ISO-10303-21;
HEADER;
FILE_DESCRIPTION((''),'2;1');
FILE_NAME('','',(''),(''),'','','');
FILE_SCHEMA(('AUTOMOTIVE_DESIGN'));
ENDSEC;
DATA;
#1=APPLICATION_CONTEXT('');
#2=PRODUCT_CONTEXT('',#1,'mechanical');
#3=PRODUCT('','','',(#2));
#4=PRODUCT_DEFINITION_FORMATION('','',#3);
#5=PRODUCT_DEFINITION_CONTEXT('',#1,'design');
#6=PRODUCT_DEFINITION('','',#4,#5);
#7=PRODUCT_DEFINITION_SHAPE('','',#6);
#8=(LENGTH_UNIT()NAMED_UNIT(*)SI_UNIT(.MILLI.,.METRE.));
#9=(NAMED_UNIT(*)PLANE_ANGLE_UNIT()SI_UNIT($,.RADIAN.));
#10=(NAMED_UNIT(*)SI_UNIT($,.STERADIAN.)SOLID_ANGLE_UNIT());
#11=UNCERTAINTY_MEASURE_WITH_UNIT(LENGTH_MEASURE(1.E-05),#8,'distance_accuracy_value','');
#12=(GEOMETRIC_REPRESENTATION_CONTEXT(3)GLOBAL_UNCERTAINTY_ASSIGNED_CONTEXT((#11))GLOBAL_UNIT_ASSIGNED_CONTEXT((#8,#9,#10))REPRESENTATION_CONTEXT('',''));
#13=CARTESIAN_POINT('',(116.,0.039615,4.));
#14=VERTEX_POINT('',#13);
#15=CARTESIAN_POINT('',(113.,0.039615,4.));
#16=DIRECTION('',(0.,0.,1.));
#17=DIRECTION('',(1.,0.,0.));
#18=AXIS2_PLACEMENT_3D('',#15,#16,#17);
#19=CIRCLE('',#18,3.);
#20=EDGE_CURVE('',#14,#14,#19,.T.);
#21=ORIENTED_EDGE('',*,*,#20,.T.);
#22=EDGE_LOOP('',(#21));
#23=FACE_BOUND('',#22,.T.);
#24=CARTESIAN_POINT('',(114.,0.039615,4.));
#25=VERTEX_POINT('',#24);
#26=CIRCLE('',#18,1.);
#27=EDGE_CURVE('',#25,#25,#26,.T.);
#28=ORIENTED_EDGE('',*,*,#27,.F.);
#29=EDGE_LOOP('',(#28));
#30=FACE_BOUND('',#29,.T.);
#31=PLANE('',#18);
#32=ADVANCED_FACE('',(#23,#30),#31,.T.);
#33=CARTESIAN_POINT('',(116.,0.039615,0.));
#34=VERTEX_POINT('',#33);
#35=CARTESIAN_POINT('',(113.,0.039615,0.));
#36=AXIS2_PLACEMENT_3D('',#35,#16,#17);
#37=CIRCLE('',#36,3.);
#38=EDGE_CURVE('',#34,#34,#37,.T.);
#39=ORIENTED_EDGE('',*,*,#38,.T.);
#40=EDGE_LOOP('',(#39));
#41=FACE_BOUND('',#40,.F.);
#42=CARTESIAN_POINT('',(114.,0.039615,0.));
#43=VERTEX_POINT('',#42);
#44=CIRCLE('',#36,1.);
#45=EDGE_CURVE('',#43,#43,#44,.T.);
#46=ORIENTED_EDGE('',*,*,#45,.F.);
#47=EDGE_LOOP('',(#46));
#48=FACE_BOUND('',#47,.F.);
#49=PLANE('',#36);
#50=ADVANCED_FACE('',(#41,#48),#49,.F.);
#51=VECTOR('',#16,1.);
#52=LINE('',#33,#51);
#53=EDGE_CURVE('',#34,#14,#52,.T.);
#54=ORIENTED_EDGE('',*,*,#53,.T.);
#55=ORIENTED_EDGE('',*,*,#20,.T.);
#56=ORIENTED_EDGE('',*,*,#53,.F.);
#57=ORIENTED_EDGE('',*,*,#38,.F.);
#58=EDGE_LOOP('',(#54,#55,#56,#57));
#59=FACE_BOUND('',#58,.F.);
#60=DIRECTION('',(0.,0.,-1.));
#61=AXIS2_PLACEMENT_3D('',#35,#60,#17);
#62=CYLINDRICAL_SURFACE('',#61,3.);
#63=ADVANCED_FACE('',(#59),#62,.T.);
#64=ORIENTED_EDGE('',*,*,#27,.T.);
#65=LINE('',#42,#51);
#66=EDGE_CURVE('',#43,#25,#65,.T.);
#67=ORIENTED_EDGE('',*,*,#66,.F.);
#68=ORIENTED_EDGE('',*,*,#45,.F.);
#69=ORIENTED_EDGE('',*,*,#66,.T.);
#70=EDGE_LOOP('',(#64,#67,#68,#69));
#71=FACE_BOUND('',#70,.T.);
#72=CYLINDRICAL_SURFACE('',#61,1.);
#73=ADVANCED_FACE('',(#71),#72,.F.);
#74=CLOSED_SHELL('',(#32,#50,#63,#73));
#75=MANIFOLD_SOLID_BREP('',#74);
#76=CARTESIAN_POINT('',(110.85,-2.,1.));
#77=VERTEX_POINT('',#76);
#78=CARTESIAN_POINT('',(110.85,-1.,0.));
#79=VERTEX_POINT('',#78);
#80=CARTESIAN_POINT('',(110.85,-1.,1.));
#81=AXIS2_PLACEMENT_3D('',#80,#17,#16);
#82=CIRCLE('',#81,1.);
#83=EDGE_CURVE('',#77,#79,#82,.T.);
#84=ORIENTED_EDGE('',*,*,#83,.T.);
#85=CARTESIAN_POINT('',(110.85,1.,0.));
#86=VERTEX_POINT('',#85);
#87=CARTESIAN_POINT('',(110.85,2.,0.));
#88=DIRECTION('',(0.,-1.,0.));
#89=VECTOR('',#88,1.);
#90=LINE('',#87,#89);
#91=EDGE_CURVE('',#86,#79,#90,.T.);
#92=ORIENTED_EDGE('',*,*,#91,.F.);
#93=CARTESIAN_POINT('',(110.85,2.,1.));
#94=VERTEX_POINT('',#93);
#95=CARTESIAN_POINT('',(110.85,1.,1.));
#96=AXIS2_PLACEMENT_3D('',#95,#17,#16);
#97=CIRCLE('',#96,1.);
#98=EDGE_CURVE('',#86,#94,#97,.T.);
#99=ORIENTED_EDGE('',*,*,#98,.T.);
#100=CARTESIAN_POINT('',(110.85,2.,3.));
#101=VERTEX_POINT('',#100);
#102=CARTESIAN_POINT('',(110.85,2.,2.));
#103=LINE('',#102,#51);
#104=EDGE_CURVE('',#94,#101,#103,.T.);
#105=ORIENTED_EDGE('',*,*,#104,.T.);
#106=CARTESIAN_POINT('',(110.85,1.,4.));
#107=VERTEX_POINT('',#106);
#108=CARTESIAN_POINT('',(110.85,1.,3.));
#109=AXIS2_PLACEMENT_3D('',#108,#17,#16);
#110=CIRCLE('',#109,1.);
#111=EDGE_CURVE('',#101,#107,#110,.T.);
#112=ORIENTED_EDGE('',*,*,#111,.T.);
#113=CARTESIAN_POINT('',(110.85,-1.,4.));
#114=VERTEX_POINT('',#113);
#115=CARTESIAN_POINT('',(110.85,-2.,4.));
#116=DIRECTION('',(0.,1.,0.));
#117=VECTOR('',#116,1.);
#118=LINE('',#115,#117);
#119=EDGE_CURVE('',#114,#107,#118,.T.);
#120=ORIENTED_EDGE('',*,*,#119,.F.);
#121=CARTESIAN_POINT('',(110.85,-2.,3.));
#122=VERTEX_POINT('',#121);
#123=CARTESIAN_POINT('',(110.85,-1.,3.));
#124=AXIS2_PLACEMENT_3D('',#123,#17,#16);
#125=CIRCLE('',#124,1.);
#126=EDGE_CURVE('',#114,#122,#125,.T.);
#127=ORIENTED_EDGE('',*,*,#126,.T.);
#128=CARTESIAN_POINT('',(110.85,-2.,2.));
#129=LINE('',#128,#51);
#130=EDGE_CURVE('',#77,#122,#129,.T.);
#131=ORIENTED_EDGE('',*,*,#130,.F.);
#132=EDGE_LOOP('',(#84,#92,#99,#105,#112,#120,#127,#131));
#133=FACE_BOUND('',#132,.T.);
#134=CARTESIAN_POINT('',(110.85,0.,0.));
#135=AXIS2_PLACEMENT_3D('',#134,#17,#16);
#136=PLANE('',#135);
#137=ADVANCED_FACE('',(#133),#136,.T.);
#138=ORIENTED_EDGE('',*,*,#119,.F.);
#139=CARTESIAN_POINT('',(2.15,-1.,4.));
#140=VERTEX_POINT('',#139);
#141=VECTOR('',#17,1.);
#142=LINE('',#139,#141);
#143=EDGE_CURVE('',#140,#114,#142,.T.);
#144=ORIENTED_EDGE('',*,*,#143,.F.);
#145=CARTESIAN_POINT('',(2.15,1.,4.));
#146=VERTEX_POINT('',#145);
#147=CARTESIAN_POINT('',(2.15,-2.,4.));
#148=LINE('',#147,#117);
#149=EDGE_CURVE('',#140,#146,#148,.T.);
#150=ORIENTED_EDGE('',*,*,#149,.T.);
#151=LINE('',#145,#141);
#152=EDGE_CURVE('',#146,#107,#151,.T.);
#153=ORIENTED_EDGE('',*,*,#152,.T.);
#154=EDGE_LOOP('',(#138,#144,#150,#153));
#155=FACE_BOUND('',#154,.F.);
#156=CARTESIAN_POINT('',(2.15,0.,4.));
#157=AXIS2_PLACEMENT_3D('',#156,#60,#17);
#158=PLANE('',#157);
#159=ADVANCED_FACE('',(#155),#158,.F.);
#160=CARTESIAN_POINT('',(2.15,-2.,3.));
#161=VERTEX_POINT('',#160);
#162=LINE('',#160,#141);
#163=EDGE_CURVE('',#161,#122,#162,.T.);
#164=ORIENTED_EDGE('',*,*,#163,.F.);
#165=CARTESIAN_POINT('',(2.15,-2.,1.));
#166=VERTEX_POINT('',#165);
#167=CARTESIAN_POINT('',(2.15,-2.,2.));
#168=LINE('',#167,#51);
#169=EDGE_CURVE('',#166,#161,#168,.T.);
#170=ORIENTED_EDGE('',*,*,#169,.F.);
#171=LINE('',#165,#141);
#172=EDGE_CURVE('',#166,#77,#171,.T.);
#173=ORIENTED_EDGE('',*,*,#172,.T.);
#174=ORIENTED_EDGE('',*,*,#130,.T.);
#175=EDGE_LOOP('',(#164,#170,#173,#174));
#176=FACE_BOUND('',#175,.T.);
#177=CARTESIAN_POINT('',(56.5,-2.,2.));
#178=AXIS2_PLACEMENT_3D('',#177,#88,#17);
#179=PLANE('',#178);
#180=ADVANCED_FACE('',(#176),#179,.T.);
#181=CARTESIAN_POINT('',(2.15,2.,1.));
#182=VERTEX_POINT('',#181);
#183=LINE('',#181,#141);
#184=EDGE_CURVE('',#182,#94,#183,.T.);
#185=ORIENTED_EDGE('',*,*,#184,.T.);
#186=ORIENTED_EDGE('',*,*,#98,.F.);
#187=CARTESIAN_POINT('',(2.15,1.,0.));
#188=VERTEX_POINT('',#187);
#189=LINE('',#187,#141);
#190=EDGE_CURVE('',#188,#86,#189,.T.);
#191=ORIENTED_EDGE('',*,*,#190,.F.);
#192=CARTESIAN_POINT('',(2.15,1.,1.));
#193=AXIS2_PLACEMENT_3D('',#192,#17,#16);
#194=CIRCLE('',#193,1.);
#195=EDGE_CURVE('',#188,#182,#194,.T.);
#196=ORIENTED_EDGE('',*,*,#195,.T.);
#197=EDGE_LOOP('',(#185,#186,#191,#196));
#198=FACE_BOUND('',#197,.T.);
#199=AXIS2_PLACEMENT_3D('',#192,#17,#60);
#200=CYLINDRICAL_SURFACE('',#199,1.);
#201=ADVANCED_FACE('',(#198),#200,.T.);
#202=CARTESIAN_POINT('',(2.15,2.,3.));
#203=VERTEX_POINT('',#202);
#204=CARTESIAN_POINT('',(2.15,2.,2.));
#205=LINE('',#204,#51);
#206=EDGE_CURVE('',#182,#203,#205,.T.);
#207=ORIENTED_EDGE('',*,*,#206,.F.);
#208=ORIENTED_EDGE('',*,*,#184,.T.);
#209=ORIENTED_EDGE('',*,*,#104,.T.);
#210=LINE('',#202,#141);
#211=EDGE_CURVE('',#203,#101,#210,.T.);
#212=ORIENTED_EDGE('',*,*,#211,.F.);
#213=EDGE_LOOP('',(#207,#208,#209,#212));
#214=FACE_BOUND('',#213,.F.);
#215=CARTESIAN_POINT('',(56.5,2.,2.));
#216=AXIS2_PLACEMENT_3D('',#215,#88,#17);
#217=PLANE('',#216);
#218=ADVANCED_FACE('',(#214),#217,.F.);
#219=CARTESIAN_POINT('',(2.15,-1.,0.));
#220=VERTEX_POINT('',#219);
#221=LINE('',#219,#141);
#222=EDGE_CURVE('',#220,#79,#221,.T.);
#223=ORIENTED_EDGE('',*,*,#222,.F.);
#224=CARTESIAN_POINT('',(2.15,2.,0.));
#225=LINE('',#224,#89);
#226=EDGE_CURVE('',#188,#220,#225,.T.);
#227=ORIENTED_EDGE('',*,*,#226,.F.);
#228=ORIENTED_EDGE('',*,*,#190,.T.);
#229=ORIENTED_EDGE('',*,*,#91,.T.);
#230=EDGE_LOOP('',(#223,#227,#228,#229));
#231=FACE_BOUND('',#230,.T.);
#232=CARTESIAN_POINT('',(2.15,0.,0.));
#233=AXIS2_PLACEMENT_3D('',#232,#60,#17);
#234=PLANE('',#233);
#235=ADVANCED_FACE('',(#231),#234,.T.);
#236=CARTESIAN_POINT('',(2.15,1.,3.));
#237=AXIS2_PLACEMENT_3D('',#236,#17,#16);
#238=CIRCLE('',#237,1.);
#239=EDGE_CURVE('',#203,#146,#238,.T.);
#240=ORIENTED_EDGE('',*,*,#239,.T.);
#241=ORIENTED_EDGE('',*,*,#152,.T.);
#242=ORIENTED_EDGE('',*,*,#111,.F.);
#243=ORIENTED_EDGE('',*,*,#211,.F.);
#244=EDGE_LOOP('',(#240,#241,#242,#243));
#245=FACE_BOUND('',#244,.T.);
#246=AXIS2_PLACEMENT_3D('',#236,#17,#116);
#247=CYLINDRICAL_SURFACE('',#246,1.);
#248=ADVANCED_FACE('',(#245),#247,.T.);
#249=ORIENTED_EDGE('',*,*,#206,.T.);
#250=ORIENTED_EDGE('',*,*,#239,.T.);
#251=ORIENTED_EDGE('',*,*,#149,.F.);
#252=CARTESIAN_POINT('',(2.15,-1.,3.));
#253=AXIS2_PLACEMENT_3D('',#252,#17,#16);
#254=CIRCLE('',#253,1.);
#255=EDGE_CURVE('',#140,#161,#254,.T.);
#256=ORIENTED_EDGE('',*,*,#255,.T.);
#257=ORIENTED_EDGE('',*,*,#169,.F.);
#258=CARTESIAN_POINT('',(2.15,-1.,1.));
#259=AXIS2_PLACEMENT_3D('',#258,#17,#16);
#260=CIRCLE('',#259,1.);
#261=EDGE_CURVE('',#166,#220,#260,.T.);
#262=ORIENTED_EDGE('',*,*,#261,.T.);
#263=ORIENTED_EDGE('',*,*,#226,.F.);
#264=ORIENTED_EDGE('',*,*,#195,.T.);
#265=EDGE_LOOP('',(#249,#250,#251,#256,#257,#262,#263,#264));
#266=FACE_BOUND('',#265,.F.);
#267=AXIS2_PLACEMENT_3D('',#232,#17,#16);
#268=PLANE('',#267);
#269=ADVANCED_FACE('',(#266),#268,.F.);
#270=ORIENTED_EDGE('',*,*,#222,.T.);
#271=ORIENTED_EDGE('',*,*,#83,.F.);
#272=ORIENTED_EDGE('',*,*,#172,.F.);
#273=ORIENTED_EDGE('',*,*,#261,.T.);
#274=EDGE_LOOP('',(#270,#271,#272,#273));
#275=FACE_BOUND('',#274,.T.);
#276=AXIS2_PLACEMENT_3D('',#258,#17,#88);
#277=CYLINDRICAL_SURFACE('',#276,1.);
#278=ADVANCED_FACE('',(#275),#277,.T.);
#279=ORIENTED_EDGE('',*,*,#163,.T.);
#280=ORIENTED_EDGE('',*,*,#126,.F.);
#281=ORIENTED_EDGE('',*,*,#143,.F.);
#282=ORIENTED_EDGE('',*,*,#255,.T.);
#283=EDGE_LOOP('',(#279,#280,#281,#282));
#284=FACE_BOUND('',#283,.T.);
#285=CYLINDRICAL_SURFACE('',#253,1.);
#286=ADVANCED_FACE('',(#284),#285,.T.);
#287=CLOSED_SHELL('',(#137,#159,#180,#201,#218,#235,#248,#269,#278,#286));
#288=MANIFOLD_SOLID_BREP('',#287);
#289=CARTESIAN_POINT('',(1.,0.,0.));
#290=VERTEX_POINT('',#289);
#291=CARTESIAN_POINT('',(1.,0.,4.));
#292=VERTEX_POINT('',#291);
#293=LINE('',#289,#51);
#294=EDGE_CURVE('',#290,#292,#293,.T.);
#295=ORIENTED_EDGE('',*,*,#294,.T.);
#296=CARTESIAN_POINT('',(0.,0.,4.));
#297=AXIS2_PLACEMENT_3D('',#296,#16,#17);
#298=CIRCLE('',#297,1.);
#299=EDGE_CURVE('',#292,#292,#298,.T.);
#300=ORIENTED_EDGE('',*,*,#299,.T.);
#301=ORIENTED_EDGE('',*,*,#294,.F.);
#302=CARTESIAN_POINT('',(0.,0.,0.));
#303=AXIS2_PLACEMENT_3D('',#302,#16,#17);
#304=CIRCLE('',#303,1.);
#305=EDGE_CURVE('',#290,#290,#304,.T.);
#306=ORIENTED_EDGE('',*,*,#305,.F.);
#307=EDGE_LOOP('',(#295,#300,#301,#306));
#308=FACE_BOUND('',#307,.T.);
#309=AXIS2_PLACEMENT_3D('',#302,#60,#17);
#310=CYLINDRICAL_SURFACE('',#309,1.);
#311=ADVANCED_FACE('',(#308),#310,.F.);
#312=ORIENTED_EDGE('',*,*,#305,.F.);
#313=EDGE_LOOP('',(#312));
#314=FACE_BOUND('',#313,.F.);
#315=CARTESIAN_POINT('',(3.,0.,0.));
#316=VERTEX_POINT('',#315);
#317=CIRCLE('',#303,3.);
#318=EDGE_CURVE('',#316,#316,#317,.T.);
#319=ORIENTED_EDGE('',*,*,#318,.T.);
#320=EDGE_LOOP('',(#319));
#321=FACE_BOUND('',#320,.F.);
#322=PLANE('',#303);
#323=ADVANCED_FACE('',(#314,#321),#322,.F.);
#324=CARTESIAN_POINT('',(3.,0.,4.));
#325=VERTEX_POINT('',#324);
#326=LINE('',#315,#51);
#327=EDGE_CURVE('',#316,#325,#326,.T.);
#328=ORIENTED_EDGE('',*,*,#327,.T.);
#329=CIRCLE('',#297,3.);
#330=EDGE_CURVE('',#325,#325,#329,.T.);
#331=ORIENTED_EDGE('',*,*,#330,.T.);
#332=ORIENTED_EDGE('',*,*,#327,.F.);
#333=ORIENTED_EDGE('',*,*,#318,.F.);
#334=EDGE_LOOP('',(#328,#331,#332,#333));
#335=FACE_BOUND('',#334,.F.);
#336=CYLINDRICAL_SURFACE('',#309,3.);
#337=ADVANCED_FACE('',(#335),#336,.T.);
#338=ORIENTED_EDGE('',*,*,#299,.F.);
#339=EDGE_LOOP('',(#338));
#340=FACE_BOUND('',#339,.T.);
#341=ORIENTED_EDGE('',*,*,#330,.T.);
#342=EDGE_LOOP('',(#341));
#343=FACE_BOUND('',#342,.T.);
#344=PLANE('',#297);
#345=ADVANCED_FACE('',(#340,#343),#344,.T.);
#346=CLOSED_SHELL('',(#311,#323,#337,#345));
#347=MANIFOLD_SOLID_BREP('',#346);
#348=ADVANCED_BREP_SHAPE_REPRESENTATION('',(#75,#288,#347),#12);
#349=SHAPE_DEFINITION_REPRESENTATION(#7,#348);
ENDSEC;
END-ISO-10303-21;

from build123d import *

# Parameters (mm, degrees)
SKETCH_R     = 3
SKETCH_R_2   = 1
PAD_DEPTH    = 4
SKETCH001_W  = 108.7
SKETCH001_H  = 4
PAD001_DEPTH = 2
FILLET_R     = 1
FILLET001_R  = 1
FILLET002_R  = 1
FILLET003_R  = 1


with BuildPart() as pad:
    # Sketch → Pad (new body)
    with BuildSketch(Plane.XY):
        Circle(SKETCH_R)
        Circle(SKETCH_R_2, mode=Mode.SUBTRACT)
        with Locations((113, 0.039615)):
            Circle(SKETCH_R)
        with Locations((113, 0.039615)):
            Circle(SKETCH_R_2, mode=Mode.SUBTRACT)
    extrude(amount=PAD_DEPTH)


with BuildPart() as fillet003:
    # Sketch001 → Pad001 (new body, symmetric)
    with BuildSketch(Plane.XZ):
        with Locations((56.5, 2)):
            Rectangle(SKETCH001_W, SKETCH001_H)
    extrude(amount=PAD001_DEPTH, both=True)

    # Fillet
    fillet_edges = [fillet003.edges().sort_by_distance(p)[0] for p in [
        (56.5, -2, 0),
    ]]
    fillet(fillet_edges, radius=FILLET_R)

    # Fillet001
    fillet001_edges = [fillet003.edges().sort_by_distance(p)[0] for p in [
        (56.5, 2, 0),
    ]]
    fillet(fillet001_edges, radius=FILLET001_R)

    # Fillet002
    fillet002_edges = [fillet003.edges().sort_by_distance(p)[0] for p in [
        (56.5, 2, 4),
    ]]
    fillet(fillet002_edges, radius=FILLET002_R)

    # Fillet003
    fillet003_edges = [fillet003.edges().sort_by_distance(p)[0] for p in [
        (56.5, -2, 4),
    ]]
    fillet(fillet003_edges, radius=FILLET003_R)


solid = Compound([pad.part, fillet003.part])
